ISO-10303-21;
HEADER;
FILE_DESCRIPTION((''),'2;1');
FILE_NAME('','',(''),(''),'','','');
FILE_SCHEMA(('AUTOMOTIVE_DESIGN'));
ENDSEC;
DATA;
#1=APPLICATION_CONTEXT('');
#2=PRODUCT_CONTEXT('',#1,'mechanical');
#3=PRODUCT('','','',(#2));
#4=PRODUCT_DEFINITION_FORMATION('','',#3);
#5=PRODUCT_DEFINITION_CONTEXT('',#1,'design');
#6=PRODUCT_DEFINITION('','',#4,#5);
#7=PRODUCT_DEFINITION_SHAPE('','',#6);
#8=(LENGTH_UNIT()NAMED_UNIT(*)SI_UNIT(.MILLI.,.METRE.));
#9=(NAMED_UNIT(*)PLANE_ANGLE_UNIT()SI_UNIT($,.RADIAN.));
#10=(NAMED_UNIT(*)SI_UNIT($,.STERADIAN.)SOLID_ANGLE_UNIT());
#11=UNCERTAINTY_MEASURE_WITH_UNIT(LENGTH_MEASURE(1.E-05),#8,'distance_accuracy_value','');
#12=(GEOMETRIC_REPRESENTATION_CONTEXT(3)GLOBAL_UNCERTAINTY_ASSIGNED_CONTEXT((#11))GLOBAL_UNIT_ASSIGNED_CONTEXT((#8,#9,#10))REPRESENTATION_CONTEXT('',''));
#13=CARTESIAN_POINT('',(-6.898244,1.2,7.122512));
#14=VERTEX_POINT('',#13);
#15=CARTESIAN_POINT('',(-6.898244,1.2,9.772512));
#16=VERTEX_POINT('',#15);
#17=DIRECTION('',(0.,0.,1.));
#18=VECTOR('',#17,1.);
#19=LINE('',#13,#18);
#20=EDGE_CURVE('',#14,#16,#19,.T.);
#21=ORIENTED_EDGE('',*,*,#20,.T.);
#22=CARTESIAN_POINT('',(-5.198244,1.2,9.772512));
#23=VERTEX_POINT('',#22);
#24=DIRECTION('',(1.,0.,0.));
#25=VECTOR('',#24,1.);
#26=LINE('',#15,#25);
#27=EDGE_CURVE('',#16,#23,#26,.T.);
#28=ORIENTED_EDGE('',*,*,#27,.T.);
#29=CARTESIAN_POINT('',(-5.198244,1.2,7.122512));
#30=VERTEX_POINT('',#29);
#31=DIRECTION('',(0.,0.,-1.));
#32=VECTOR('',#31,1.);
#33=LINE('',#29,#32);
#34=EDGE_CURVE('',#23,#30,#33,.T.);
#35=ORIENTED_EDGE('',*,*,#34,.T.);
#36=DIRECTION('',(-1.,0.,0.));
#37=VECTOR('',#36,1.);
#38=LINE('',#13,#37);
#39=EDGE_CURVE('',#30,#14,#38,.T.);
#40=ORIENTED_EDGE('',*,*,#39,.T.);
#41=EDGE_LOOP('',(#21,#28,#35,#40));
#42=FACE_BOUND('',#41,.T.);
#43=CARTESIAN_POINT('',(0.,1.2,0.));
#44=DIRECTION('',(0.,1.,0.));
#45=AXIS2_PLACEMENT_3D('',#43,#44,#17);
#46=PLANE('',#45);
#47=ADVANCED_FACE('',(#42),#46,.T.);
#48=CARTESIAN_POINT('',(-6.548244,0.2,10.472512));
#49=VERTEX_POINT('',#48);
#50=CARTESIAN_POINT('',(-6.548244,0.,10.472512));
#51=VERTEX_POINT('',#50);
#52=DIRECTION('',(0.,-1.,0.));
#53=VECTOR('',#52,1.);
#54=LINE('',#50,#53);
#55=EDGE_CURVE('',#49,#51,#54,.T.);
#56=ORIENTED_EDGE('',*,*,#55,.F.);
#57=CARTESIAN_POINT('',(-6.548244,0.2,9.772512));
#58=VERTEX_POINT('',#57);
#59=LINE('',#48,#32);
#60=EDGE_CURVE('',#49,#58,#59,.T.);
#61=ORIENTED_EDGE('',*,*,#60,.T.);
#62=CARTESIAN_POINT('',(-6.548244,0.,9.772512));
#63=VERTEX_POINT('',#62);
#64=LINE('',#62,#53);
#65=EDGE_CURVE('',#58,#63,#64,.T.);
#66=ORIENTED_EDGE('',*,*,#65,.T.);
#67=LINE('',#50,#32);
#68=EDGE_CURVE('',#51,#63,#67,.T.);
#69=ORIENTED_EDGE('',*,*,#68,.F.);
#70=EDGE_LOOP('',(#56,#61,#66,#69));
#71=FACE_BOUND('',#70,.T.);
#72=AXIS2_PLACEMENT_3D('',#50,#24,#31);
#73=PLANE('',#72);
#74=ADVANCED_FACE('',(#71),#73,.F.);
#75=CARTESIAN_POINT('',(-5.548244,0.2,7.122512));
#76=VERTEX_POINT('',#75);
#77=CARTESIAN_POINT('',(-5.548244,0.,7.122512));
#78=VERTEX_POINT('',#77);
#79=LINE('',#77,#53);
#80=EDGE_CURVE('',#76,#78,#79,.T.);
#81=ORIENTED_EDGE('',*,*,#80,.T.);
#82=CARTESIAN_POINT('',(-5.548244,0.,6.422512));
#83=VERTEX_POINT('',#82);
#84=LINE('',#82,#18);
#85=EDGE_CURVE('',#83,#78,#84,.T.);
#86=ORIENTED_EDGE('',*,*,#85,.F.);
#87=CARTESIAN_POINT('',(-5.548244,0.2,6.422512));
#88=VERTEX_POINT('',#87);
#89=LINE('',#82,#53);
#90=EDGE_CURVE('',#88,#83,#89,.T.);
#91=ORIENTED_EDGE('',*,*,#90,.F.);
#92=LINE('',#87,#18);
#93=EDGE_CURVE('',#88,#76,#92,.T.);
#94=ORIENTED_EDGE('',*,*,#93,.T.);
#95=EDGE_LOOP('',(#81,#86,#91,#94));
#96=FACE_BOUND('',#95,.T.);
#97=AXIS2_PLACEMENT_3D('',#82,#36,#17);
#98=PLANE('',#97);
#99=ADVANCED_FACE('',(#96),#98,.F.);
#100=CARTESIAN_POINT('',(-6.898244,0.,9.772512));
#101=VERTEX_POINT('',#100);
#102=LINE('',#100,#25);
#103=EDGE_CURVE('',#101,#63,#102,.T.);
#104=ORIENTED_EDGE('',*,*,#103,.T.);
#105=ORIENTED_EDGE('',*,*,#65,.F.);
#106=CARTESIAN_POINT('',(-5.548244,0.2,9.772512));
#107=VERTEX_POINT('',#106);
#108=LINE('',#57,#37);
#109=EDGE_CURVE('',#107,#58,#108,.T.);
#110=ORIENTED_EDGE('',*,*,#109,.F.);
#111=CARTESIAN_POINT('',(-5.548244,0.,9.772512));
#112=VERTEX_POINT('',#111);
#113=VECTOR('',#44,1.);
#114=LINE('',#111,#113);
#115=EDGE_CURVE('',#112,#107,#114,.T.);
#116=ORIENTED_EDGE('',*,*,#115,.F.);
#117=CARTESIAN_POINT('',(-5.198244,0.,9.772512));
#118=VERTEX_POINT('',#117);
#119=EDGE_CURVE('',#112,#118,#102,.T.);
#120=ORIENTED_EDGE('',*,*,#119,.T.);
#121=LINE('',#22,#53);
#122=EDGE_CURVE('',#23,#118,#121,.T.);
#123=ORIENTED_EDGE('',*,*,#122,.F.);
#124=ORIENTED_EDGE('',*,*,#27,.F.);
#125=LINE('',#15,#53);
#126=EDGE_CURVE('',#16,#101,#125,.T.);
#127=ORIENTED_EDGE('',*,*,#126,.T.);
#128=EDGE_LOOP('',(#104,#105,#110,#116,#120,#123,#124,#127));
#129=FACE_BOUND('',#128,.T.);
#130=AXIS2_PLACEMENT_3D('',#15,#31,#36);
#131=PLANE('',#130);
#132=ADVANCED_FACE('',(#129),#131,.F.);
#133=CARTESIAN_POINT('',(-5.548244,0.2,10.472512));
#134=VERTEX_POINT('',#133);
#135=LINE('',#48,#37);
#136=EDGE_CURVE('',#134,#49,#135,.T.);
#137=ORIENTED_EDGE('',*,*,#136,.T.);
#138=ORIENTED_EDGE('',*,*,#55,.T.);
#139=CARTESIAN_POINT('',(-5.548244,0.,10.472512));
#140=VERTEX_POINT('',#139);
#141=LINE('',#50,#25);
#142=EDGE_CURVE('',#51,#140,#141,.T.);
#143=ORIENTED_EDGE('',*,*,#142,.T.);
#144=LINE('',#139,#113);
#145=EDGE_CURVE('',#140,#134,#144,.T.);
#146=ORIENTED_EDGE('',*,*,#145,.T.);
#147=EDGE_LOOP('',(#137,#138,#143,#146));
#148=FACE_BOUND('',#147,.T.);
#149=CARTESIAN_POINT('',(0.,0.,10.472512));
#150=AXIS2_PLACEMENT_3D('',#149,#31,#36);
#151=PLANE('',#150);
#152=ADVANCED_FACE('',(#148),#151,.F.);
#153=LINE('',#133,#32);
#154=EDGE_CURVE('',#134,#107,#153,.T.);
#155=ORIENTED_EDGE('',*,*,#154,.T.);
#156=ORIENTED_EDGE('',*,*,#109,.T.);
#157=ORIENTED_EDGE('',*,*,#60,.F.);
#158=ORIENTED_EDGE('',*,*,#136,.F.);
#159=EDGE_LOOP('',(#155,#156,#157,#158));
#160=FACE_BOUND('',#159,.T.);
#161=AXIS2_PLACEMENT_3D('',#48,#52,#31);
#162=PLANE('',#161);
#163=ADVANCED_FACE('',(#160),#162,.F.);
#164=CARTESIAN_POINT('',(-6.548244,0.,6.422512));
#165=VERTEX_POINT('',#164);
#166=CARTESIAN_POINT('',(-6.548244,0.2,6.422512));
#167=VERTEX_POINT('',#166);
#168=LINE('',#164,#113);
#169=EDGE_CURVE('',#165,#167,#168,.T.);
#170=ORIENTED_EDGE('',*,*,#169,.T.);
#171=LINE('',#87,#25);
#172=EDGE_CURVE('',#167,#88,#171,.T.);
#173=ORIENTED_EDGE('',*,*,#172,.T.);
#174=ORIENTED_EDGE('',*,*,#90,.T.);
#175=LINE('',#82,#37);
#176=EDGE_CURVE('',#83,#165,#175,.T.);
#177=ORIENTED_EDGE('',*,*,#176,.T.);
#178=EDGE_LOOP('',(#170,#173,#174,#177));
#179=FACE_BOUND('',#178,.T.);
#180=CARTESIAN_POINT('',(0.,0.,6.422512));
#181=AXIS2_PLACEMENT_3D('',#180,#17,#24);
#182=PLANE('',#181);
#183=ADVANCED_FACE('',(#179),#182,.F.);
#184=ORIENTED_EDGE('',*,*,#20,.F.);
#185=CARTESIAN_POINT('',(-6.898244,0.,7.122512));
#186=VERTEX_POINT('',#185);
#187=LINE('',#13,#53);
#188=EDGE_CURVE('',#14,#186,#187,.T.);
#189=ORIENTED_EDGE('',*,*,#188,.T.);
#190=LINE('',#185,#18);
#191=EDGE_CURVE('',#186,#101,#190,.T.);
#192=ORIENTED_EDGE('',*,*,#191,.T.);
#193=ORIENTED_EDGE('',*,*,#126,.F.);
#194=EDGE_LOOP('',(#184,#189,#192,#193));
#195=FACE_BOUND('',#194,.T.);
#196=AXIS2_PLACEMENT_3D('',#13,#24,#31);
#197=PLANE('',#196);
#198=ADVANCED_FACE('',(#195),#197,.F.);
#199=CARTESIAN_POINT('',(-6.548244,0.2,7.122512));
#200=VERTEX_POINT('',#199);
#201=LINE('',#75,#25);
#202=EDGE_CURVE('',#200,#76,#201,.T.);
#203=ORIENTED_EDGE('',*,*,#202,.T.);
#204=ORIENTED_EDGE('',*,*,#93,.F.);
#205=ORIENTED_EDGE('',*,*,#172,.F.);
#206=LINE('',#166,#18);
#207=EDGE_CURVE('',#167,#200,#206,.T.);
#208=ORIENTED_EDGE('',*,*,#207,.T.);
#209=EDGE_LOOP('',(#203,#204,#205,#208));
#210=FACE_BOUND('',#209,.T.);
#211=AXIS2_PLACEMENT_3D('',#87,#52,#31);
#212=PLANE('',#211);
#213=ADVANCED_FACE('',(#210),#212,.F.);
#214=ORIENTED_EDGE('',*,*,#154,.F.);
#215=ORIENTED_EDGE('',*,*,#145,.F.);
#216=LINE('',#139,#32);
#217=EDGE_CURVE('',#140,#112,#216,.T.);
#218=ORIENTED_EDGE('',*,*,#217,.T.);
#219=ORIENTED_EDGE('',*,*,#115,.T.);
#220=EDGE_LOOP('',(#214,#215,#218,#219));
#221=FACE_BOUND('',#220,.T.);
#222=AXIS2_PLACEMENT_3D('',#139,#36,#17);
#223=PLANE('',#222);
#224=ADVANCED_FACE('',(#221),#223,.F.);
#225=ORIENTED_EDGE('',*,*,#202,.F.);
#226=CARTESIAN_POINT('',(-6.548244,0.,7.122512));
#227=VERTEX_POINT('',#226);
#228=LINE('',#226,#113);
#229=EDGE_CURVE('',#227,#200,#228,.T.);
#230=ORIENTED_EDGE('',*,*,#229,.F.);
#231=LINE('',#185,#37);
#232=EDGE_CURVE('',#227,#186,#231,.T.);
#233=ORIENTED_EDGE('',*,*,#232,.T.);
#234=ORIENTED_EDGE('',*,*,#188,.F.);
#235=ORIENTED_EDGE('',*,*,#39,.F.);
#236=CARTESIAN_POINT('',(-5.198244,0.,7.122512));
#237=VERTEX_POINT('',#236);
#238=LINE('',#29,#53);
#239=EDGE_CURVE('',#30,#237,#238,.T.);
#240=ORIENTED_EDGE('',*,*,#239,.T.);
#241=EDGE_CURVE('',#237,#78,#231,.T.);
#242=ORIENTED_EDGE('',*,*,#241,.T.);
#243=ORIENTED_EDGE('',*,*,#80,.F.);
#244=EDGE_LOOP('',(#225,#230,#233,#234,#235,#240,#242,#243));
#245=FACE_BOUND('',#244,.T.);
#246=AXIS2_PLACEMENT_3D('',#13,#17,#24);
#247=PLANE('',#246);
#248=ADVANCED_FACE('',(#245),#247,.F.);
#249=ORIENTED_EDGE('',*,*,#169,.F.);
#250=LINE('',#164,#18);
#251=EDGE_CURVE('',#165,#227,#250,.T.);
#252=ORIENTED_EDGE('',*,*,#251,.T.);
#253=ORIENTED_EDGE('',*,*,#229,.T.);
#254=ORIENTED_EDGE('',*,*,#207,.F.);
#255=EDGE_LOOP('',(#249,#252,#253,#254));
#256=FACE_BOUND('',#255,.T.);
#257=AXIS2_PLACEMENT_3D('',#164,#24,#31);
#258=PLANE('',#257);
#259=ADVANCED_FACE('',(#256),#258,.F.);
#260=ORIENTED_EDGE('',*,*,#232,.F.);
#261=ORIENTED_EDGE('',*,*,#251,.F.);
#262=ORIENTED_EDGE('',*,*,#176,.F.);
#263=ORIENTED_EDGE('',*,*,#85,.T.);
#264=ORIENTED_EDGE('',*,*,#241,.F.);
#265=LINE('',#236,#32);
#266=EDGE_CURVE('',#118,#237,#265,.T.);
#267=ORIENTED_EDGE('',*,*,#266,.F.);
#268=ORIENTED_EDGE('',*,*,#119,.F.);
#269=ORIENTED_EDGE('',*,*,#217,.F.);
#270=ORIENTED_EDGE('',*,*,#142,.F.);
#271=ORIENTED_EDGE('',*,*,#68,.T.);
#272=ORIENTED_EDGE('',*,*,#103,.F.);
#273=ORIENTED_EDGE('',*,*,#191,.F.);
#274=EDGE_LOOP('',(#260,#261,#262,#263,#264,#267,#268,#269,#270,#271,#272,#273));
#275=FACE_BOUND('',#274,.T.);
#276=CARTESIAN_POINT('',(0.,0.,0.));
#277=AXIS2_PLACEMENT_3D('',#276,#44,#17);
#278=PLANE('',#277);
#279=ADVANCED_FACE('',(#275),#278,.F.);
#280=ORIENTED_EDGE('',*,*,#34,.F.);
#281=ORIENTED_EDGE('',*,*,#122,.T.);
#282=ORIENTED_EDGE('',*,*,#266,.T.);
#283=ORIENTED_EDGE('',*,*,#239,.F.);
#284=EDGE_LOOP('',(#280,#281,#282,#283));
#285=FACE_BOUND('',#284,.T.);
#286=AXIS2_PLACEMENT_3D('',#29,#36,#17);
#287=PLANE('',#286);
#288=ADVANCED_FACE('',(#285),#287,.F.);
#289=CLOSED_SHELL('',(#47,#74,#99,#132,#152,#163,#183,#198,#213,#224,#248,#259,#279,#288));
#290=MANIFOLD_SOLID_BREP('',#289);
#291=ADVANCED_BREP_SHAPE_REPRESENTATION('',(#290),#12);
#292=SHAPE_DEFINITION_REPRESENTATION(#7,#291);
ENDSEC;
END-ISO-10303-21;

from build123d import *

# Parameters (mm, degrees)
SCHIZZO1_W                   = 1.7
SCHIZZO1_H                   = 2.65
ESTRUSIONE_ESTRUSIONE1_DEPTH = 1.2
SCHIZZO2_W                   = 1
SCHIZZO2_H                   = 0.2
ESTRUSIONE_ESTRUSIONE2_DEPTH = 0.7
SCHIZZO4_W                   = 1
SCHIZZO4_H                   = 0.2
ESTRUSIONE_ESTRUSIONE4_DEPTH = 0.7


with BuildPart() as part:
    # Schizzo1 → Estrusione-Estrusione1 (new body)
    with BuildSketch(Plane(origin=(0, 0, 0), x_dir=(1, 0, 0), z_dir=(0, 1, 0))):
        with Locations((-6.048243597, -8.447511762)):
            Rectangle(SCHIZZO1_W, SCHIZZO1_H)
    extrude(amount=ESTRUSIONE_ESTRUSIONE1_DEPTH)

    # Schizzo2 → Estrusione-Estrusione2 (add)
    with BuildSketch(Plane.XY.offset(9.772511762)):
        with Locations((-6.048243597, 0.1)):
            Rectangle(SCHIZZO2_W, SCHIZZO2_H)
    extrude(amount=ESTRUSIONE_ESTRUSIONE2_DEPTH)

    # Schizzo4 → Estrusione-Estrusione4 (add)
    with BuildSketch(Plane(origin=(0, 0, 7.122511762), x_dir=(-1, 0, 0), z_dir=(0, 0, -1))):
        with Locations((6.048243597, 0.1)):
            Rectangle(SCHIZZO4_W, SCHIZZO4_H)
    extrude(amount=ESTRUSIONE_ESTRUSIONE4_DEPTH)


solid = part.part
